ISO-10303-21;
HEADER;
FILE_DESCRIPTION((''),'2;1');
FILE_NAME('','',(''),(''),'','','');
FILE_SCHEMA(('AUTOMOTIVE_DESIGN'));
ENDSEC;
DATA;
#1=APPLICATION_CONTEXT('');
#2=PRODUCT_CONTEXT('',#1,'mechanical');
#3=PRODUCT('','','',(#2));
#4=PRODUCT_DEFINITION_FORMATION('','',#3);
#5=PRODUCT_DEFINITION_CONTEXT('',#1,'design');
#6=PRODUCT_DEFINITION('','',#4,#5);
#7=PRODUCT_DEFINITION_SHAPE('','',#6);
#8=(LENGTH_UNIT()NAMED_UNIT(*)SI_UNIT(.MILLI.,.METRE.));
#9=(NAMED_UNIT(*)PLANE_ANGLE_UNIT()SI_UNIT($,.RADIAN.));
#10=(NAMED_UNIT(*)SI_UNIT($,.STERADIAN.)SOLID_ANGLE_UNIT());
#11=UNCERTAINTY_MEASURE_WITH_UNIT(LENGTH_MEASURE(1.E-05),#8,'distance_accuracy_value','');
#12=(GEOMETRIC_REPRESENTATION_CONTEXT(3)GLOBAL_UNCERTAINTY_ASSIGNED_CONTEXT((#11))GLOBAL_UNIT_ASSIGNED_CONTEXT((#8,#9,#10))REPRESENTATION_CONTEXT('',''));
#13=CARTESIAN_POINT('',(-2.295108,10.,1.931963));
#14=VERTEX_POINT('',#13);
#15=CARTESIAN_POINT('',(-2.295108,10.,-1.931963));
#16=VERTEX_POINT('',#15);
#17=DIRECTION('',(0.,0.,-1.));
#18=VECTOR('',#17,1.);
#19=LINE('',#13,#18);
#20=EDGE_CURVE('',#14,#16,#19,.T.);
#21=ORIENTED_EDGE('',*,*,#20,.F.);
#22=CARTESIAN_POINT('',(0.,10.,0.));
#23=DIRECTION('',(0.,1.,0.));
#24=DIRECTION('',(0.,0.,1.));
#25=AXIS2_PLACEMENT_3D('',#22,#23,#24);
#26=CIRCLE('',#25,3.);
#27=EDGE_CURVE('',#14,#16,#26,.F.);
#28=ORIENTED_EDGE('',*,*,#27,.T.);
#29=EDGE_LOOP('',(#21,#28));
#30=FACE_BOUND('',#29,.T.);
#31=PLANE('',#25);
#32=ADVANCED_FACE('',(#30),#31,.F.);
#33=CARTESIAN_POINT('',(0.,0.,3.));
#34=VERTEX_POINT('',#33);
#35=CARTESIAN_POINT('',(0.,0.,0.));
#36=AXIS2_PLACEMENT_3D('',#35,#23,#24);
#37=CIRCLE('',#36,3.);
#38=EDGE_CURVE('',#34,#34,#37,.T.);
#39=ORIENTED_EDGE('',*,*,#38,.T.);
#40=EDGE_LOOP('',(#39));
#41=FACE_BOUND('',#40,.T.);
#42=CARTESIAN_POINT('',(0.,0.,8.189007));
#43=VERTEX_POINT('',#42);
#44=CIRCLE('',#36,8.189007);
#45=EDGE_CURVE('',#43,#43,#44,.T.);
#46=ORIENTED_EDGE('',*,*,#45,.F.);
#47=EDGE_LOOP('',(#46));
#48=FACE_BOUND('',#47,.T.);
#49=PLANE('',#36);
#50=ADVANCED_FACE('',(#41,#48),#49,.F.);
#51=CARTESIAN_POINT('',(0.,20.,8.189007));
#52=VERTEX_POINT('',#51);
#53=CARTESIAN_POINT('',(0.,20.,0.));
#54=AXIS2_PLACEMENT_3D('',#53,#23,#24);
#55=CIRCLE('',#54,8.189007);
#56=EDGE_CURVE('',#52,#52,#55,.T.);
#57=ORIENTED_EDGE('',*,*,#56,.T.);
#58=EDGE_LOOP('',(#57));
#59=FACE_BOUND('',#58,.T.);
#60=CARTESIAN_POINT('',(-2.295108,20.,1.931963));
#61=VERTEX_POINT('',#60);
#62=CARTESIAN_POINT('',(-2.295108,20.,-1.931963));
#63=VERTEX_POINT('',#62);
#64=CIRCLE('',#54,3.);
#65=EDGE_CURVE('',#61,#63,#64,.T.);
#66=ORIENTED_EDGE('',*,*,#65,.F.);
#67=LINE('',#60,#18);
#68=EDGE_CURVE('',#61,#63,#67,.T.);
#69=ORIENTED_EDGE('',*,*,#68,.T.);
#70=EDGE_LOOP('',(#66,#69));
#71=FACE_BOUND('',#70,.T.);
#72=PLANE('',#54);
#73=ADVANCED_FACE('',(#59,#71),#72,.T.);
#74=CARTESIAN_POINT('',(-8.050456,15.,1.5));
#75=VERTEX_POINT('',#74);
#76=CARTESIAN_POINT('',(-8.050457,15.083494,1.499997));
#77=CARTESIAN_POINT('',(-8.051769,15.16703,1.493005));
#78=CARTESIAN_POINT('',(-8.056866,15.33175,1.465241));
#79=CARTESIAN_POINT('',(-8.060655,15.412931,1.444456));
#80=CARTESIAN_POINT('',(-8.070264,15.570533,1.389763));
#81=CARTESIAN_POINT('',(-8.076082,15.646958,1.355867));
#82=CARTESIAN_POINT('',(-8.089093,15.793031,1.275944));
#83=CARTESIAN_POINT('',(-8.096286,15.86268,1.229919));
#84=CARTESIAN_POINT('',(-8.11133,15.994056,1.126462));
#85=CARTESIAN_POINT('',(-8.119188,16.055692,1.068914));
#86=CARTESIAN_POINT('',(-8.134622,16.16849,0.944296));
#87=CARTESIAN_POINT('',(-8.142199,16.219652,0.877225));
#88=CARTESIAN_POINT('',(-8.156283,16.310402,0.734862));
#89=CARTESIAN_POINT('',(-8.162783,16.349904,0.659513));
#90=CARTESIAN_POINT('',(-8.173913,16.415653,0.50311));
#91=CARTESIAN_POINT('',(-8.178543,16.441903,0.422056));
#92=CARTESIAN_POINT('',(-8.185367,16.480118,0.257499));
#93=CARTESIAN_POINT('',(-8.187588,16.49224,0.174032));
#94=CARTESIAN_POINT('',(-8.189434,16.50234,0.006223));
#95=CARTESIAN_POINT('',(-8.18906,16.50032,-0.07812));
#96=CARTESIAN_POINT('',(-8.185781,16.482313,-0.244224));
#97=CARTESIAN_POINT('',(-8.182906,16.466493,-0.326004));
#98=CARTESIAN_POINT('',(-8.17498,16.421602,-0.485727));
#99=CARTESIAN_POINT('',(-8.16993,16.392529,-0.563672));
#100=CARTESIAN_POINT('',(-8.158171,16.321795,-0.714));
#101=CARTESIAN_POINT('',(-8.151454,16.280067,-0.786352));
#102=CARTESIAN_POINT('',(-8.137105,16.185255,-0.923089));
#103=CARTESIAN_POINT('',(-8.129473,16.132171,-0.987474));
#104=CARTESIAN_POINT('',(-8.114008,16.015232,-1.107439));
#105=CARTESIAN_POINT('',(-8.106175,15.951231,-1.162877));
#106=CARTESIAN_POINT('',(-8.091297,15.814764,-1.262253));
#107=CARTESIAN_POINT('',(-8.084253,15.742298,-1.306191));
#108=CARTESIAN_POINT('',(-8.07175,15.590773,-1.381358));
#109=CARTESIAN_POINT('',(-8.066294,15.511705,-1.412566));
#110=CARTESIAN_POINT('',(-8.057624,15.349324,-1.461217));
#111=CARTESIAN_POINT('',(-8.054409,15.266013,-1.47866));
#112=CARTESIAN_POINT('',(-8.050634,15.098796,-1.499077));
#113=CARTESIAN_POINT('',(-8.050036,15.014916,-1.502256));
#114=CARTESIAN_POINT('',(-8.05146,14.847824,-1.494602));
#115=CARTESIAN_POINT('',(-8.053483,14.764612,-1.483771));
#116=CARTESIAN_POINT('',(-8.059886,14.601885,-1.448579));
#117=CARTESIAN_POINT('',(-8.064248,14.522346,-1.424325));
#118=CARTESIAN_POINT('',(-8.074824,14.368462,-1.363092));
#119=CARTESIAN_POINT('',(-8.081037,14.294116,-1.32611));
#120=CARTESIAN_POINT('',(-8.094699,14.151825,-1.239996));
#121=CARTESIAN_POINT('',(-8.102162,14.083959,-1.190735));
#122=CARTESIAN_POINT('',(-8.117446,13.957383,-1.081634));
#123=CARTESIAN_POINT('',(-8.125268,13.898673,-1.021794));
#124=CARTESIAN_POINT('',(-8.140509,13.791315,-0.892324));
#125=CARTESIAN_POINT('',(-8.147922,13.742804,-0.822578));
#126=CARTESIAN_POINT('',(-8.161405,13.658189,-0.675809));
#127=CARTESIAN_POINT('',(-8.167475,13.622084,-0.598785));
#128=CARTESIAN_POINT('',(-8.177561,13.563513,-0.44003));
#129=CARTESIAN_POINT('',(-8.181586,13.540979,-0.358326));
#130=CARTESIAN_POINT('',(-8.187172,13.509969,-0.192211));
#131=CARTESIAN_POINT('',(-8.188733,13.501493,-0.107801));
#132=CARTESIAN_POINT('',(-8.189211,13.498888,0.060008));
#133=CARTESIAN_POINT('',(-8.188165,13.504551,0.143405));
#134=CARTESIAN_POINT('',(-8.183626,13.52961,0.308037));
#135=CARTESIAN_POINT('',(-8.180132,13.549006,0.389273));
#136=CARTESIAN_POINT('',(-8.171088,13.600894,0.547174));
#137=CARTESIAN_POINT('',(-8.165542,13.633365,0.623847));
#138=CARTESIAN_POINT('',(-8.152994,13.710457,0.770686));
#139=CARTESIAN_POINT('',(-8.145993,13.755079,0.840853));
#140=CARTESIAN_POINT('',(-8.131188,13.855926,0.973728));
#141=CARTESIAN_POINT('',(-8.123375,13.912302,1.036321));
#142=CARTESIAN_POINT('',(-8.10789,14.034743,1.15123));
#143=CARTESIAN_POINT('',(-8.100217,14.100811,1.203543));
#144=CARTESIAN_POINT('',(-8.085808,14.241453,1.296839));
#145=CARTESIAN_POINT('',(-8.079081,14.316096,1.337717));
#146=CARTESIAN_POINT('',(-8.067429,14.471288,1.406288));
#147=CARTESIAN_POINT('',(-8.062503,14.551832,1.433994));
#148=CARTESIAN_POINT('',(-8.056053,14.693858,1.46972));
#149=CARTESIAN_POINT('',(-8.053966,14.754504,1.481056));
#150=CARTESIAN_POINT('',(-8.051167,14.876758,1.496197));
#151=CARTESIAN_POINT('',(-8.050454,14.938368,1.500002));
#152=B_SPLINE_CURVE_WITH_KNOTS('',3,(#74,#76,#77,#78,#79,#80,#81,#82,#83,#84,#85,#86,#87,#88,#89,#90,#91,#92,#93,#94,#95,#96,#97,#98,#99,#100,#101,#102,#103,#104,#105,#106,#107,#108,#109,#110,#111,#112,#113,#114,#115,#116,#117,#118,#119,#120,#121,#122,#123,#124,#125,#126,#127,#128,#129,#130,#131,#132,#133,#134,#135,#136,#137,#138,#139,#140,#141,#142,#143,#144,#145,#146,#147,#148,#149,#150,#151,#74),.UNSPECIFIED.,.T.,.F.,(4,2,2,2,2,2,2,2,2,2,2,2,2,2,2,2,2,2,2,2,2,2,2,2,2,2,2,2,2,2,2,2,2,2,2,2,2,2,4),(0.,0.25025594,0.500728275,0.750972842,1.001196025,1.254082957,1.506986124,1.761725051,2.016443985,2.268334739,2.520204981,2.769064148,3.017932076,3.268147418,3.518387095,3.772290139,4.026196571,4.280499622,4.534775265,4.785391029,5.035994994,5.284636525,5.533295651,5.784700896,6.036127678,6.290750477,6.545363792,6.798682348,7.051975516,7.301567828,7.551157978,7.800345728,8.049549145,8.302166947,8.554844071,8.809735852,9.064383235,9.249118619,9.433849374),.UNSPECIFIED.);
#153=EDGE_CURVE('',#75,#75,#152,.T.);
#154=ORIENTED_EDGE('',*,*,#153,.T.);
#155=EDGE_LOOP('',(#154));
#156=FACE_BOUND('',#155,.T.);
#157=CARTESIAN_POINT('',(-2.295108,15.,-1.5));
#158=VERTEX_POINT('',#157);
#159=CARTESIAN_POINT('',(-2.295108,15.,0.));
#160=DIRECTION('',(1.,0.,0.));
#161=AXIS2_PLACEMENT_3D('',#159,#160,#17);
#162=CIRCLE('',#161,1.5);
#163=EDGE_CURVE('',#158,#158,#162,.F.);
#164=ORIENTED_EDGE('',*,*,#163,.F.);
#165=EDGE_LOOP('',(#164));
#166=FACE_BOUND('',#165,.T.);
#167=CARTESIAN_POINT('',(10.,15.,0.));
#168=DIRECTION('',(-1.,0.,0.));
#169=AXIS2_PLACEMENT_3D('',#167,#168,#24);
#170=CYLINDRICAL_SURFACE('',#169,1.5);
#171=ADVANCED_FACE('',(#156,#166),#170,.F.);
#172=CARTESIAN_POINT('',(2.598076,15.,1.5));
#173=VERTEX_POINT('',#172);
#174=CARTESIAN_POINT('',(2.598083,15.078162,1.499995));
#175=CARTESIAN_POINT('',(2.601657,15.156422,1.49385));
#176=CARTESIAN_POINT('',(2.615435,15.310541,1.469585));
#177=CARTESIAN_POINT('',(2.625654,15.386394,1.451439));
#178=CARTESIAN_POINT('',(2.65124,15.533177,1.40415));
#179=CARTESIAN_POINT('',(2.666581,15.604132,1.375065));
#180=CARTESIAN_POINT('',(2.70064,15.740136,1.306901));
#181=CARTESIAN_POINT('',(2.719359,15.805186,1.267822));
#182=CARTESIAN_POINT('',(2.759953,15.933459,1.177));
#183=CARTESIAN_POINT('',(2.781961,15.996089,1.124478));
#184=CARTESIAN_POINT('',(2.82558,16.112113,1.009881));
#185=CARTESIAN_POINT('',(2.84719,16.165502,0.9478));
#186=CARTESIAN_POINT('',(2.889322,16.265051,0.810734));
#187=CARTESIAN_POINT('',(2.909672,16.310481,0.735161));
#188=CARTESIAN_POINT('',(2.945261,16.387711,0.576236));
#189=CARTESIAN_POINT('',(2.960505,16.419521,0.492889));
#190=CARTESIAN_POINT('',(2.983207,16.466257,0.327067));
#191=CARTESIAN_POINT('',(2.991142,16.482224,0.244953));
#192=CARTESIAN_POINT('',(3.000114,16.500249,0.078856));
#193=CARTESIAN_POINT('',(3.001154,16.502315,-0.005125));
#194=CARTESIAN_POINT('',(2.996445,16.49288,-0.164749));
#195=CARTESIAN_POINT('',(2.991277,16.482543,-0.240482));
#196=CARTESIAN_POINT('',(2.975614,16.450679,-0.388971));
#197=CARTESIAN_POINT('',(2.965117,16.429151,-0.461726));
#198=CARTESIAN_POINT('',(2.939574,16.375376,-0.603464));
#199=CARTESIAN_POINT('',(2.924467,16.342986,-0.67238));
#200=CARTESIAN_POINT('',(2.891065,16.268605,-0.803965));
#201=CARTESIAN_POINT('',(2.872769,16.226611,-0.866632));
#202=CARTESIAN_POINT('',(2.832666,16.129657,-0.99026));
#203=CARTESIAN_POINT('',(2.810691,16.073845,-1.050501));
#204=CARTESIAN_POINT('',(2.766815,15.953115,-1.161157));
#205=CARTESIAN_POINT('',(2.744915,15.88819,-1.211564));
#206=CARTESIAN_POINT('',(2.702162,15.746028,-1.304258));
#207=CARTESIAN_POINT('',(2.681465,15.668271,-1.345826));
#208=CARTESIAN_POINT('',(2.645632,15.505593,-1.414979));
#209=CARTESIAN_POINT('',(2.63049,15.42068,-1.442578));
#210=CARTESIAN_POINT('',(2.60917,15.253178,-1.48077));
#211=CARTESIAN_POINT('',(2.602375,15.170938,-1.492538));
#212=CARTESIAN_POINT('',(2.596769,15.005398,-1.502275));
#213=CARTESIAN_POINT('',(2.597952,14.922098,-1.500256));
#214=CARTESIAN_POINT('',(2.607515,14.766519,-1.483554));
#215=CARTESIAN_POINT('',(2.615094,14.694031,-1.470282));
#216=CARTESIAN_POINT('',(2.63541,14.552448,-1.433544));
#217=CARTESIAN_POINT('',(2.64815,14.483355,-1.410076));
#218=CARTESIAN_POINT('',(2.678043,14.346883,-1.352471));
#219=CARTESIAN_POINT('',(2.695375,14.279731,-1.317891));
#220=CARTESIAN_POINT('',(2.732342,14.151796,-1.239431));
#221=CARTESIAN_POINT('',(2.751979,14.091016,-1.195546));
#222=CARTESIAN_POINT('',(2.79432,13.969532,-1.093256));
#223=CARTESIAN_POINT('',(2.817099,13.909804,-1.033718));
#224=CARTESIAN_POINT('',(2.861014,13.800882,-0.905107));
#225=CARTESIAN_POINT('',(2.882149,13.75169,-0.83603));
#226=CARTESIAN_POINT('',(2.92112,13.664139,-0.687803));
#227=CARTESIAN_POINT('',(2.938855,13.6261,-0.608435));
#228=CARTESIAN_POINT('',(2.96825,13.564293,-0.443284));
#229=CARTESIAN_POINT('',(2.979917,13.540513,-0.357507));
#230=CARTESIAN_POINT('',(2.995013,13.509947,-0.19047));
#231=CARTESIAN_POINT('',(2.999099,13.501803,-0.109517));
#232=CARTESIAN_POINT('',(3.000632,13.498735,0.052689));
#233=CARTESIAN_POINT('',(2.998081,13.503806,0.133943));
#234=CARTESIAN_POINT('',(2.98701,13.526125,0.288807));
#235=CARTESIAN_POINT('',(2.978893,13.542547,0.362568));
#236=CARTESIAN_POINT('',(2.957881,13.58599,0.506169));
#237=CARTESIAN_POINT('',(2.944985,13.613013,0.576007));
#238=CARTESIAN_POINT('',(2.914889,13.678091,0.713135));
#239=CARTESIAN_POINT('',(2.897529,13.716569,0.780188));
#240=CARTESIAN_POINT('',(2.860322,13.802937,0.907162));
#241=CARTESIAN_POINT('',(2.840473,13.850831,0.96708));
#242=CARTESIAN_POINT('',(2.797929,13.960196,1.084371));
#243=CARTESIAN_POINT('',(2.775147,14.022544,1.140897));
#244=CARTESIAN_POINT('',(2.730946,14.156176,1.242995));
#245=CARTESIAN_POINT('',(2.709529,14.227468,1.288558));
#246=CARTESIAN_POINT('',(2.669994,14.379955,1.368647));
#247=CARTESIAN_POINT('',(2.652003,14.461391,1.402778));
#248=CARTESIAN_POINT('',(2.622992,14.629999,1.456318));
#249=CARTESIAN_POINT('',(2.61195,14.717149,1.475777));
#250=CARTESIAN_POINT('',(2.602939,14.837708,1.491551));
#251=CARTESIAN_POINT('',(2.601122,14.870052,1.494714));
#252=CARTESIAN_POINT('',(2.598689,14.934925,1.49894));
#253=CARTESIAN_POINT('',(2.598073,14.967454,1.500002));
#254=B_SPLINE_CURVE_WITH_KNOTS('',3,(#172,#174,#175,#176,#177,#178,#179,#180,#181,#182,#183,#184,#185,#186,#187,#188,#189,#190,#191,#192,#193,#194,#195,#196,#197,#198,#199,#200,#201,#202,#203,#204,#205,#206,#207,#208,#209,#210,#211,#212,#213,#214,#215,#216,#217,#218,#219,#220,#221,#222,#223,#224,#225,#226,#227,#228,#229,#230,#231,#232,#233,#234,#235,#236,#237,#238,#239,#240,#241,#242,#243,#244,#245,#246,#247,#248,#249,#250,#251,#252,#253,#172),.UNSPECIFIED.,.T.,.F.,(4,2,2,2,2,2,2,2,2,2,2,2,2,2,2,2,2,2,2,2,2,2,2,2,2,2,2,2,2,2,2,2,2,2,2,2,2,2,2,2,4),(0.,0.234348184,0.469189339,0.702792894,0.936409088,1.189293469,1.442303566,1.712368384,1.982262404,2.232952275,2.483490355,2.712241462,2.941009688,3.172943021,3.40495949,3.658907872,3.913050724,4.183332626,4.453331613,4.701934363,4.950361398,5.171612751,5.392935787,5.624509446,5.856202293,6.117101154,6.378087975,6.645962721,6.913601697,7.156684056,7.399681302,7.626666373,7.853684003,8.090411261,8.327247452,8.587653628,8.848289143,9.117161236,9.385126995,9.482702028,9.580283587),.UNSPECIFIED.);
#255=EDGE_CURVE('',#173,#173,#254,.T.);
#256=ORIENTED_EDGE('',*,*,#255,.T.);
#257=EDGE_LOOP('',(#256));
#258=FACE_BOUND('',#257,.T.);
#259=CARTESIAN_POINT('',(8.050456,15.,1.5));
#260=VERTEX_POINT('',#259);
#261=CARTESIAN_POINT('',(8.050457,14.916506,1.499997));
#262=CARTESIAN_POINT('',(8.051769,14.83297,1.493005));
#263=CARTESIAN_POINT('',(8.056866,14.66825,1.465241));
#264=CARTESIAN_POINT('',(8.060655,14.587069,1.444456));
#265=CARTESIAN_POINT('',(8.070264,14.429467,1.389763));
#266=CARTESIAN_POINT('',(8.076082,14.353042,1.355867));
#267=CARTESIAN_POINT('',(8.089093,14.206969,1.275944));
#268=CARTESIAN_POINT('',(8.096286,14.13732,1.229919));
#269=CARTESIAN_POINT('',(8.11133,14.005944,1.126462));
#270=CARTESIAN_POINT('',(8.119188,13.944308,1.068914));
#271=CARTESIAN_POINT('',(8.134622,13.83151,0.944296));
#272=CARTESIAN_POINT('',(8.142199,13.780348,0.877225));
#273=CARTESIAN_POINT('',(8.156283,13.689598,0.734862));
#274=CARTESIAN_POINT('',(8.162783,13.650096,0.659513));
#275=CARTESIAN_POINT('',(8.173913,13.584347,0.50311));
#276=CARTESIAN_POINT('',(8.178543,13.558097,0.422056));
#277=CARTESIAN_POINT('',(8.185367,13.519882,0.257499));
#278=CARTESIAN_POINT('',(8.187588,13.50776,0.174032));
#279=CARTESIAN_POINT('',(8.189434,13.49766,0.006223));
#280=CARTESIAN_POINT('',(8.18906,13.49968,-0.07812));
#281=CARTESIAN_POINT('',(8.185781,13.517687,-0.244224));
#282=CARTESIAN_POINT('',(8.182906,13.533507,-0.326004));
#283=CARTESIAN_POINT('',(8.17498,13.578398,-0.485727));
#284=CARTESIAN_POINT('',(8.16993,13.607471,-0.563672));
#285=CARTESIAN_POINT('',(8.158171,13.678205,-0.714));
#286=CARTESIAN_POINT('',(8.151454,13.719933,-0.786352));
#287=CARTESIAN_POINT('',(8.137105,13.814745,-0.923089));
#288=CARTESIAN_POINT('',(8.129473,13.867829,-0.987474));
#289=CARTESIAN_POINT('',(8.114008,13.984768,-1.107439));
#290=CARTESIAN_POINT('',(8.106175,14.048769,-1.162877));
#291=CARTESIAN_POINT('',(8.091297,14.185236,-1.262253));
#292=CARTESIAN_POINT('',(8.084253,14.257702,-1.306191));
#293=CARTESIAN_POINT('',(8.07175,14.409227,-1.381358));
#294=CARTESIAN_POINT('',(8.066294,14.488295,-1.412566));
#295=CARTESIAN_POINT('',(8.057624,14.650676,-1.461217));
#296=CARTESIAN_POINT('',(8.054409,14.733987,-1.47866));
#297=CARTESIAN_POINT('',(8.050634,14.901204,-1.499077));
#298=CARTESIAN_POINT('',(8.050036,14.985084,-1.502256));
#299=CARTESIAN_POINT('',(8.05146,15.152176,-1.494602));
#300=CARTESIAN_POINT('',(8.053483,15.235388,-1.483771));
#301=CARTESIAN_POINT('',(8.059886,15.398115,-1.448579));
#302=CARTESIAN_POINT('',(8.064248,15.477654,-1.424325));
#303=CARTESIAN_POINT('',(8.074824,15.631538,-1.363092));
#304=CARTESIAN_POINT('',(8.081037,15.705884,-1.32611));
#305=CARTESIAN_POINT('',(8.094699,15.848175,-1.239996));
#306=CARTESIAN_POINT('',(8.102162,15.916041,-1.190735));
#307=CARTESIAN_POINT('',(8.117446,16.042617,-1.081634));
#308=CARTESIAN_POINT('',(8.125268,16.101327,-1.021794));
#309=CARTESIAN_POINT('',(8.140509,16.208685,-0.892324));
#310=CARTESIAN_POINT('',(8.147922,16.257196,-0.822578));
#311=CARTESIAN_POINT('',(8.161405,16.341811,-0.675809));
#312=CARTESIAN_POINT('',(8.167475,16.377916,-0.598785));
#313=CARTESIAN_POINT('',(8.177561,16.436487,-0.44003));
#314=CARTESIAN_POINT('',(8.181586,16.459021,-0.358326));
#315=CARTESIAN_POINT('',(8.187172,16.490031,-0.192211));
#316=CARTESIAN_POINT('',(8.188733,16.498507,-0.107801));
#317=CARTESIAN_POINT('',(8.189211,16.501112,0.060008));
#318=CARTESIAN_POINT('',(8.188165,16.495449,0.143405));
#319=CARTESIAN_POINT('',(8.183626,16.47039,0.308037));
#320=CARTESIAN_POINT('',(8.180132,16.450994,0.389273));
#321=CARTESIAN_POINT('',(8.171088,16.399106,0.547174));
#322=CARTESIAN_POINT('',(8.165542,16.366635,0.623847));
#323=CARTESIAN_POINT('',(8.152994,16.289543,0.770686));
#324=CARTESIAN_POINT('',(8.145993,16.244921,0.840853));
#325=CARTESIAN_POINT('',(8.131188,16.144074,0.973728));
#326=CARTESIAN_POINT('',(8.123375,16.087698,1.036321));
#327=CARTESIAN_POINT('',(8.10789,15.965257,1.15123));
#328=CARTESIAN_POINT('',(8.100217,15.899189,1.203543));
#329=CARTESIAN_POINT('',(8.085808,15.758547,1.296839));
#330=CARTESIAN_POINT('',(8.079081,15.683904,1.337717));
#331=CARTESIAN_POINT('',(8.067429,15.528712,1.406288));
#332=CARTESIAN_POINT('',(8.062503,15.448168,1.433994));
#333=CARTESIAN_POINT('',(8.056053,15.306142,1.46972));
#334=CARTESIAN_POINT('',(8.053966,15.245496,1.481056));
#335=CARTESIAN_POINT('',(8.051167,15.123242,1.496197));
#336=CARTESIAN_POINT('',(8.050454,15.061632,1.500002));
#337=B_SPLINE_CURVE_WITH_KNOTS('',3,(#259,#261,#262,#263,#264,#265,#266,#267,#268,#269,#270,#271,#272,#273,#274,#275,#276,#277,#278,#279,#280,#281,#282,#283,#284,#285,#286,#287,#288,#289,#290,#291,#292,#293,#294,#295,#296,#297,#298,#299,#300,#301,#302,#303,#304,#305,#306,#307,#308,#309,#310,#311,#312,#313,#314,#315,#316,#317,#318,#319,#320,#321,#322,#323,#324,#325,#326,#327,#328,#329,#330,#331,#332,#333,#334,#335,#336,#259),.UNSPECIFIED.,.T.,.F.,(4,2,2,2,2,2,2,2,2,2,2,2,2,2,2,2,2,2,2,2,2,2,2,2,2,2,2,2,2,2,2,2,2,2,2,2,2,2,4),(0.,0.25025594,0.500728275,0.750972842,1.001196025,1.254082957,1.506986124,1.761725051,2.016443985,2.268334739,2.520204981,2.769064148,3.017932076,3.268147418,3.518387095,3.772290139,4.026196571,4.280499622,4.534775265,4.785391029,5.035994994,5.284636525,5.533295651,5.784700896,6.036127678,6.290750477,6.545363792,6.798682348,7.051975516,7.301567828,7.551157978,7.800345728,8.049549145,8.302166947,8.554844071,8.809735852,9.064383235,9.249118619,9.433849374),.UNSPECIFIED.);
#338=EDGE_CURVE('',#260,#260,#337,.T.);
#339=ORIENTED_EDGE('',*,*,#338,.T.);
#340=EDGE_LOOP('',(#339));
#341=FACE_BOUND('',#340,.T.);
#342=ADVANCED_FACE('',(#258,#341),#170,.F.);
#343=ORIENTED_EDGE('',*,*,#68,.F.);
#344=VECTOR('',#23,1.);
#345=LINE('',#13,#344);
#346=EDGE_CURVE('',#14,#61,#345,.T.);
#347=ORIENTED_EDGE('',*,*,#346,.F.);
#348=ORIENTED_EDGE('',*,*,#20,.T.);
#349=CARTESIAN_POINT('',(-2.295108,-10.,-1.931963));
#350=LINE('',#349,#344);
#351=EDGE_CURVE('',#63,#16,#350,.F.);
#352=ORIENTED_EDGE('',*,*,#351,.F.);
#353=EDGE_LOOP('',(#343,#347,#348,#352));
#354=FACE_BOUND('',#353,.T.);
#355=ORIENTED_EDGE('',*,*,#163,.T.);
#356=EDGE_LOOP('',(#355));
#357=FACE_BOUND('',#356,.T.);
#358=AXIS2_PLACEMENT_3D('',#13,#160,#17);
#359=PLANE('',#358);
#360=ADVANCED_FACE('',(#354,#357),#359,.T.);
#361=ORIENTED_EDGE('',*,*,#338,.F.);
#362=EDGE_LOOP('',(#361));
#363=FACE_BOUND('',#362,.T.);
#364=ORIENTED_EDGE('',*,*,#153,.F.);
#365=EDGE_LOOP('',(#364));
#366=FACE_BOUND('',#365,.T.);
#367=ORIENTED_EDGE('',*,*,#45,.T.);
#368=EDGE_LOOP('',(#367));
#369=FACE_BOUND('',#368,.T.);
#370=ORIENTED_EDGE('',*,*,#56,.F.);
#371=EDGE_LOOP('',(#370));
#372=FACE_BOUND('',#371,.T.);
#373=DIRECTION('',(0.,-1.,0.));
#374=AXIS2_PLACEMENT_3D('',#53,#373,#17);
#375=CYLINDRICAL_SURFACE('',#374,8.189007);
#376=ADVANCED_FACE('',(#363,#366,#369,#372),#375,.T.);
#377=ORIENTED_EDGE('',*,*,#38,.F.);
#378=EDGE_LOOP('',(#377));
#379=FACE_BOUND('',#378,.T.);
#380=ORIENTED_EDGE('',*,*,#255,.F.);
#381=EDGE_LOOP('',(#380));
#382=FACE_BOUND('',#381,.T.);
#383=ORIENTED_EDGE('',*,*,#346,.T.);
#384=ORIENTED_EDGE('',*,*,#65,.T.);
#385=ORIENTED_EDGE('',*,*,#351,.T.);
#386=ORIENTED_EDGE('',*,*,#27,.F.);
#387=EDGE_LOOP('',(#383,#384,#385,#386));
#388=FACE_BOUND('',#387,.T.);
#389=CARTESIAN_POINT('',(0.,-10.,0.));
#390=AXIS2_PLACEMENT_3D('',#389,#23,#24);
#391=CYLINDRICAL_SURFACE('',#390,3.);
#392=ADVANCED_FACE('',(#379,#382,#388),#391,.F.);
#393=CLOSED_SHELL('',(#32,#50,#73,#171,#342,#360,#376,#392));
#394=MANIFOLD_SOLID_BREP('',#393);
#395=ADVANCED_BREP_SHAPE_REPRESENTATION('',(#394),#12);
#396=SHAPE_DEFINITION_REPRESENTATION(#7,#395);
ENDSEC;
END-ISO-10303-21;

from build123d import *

# Parameters (mm, degrees)
SKETCH1_R               = 8.189006913
BOSS_EXTRUDE1_DEPTH     = 20
SKETCH2_R               = 3
CUT_EXTRUDE1_DEPTH      = 30
SKETCH4_W               = 1.839212521
SKETCH4_H               = 4.190652527
BOSS_EXTRUDE2_DEPTH     = 10
CUT_EXTRUDE2_DEPTH      = 10
CUT_EXTRUDE2_DEPTH_BACK = 10
SKETCH3_R               = 1.5


with BuildPart() as part:
    # Sketch1 → Boss-Extrude1 (new body)
    with BuildSketch(Plane(origin=(0, 0, 0), x_dir=(1, 0, 0), z_dir=(0, 1, 0))):
        Circle(SKETCH1_R)
    extrude(amount=BOSS_EXTRUDE1_DEPTH)

    # Sketch2 → Cut-Extrude1 (cut)
    with BuildSketch(Plane(origin=(0, 20, 0), x_dir=(1, 0, 0), z_dir=(0, 1, 0))):
        Circle(SKETCH2_R)
    extrude(amount=-CUT_EXTRUDE1_DEPTH, mode=Mode.SUBTRACT)

    # Sketch4 → Boss-Extrude2 (add)
    with BuildSketch(Plane(origin=(0, 20, 0), x_dir=(1, 0, 0), z_dir=(0, 1, 0))):
        with Locations((-3.214713917, 0.163363311)):
            Rectangle(SKETCH4_W, SKETCH4_H)
    extrude(amount=-BOSS_EXTRUDE2_DEPTH)

    # Sketch3 → Cut-Extrude2 (cut, two sides: drawn at the far end of the back side and taken through both)
    with BuildSketch(Plane(origin=(0, 0, 0), x_dir=(0, 0, -1), z_dir=(1, 0, 0)).offset(-CUT_EXTRUDE2_DEPTH_BACK)):
        with Locations((0, 15)):
            Circle(SKETCH3_R)
    extrude(amount=CUT_EXTRUDE2_DEPTH + CUT_EXTRUDE2_DEPTH_BACK, mode=Mode.SUBTRACT)


solid = part.part
